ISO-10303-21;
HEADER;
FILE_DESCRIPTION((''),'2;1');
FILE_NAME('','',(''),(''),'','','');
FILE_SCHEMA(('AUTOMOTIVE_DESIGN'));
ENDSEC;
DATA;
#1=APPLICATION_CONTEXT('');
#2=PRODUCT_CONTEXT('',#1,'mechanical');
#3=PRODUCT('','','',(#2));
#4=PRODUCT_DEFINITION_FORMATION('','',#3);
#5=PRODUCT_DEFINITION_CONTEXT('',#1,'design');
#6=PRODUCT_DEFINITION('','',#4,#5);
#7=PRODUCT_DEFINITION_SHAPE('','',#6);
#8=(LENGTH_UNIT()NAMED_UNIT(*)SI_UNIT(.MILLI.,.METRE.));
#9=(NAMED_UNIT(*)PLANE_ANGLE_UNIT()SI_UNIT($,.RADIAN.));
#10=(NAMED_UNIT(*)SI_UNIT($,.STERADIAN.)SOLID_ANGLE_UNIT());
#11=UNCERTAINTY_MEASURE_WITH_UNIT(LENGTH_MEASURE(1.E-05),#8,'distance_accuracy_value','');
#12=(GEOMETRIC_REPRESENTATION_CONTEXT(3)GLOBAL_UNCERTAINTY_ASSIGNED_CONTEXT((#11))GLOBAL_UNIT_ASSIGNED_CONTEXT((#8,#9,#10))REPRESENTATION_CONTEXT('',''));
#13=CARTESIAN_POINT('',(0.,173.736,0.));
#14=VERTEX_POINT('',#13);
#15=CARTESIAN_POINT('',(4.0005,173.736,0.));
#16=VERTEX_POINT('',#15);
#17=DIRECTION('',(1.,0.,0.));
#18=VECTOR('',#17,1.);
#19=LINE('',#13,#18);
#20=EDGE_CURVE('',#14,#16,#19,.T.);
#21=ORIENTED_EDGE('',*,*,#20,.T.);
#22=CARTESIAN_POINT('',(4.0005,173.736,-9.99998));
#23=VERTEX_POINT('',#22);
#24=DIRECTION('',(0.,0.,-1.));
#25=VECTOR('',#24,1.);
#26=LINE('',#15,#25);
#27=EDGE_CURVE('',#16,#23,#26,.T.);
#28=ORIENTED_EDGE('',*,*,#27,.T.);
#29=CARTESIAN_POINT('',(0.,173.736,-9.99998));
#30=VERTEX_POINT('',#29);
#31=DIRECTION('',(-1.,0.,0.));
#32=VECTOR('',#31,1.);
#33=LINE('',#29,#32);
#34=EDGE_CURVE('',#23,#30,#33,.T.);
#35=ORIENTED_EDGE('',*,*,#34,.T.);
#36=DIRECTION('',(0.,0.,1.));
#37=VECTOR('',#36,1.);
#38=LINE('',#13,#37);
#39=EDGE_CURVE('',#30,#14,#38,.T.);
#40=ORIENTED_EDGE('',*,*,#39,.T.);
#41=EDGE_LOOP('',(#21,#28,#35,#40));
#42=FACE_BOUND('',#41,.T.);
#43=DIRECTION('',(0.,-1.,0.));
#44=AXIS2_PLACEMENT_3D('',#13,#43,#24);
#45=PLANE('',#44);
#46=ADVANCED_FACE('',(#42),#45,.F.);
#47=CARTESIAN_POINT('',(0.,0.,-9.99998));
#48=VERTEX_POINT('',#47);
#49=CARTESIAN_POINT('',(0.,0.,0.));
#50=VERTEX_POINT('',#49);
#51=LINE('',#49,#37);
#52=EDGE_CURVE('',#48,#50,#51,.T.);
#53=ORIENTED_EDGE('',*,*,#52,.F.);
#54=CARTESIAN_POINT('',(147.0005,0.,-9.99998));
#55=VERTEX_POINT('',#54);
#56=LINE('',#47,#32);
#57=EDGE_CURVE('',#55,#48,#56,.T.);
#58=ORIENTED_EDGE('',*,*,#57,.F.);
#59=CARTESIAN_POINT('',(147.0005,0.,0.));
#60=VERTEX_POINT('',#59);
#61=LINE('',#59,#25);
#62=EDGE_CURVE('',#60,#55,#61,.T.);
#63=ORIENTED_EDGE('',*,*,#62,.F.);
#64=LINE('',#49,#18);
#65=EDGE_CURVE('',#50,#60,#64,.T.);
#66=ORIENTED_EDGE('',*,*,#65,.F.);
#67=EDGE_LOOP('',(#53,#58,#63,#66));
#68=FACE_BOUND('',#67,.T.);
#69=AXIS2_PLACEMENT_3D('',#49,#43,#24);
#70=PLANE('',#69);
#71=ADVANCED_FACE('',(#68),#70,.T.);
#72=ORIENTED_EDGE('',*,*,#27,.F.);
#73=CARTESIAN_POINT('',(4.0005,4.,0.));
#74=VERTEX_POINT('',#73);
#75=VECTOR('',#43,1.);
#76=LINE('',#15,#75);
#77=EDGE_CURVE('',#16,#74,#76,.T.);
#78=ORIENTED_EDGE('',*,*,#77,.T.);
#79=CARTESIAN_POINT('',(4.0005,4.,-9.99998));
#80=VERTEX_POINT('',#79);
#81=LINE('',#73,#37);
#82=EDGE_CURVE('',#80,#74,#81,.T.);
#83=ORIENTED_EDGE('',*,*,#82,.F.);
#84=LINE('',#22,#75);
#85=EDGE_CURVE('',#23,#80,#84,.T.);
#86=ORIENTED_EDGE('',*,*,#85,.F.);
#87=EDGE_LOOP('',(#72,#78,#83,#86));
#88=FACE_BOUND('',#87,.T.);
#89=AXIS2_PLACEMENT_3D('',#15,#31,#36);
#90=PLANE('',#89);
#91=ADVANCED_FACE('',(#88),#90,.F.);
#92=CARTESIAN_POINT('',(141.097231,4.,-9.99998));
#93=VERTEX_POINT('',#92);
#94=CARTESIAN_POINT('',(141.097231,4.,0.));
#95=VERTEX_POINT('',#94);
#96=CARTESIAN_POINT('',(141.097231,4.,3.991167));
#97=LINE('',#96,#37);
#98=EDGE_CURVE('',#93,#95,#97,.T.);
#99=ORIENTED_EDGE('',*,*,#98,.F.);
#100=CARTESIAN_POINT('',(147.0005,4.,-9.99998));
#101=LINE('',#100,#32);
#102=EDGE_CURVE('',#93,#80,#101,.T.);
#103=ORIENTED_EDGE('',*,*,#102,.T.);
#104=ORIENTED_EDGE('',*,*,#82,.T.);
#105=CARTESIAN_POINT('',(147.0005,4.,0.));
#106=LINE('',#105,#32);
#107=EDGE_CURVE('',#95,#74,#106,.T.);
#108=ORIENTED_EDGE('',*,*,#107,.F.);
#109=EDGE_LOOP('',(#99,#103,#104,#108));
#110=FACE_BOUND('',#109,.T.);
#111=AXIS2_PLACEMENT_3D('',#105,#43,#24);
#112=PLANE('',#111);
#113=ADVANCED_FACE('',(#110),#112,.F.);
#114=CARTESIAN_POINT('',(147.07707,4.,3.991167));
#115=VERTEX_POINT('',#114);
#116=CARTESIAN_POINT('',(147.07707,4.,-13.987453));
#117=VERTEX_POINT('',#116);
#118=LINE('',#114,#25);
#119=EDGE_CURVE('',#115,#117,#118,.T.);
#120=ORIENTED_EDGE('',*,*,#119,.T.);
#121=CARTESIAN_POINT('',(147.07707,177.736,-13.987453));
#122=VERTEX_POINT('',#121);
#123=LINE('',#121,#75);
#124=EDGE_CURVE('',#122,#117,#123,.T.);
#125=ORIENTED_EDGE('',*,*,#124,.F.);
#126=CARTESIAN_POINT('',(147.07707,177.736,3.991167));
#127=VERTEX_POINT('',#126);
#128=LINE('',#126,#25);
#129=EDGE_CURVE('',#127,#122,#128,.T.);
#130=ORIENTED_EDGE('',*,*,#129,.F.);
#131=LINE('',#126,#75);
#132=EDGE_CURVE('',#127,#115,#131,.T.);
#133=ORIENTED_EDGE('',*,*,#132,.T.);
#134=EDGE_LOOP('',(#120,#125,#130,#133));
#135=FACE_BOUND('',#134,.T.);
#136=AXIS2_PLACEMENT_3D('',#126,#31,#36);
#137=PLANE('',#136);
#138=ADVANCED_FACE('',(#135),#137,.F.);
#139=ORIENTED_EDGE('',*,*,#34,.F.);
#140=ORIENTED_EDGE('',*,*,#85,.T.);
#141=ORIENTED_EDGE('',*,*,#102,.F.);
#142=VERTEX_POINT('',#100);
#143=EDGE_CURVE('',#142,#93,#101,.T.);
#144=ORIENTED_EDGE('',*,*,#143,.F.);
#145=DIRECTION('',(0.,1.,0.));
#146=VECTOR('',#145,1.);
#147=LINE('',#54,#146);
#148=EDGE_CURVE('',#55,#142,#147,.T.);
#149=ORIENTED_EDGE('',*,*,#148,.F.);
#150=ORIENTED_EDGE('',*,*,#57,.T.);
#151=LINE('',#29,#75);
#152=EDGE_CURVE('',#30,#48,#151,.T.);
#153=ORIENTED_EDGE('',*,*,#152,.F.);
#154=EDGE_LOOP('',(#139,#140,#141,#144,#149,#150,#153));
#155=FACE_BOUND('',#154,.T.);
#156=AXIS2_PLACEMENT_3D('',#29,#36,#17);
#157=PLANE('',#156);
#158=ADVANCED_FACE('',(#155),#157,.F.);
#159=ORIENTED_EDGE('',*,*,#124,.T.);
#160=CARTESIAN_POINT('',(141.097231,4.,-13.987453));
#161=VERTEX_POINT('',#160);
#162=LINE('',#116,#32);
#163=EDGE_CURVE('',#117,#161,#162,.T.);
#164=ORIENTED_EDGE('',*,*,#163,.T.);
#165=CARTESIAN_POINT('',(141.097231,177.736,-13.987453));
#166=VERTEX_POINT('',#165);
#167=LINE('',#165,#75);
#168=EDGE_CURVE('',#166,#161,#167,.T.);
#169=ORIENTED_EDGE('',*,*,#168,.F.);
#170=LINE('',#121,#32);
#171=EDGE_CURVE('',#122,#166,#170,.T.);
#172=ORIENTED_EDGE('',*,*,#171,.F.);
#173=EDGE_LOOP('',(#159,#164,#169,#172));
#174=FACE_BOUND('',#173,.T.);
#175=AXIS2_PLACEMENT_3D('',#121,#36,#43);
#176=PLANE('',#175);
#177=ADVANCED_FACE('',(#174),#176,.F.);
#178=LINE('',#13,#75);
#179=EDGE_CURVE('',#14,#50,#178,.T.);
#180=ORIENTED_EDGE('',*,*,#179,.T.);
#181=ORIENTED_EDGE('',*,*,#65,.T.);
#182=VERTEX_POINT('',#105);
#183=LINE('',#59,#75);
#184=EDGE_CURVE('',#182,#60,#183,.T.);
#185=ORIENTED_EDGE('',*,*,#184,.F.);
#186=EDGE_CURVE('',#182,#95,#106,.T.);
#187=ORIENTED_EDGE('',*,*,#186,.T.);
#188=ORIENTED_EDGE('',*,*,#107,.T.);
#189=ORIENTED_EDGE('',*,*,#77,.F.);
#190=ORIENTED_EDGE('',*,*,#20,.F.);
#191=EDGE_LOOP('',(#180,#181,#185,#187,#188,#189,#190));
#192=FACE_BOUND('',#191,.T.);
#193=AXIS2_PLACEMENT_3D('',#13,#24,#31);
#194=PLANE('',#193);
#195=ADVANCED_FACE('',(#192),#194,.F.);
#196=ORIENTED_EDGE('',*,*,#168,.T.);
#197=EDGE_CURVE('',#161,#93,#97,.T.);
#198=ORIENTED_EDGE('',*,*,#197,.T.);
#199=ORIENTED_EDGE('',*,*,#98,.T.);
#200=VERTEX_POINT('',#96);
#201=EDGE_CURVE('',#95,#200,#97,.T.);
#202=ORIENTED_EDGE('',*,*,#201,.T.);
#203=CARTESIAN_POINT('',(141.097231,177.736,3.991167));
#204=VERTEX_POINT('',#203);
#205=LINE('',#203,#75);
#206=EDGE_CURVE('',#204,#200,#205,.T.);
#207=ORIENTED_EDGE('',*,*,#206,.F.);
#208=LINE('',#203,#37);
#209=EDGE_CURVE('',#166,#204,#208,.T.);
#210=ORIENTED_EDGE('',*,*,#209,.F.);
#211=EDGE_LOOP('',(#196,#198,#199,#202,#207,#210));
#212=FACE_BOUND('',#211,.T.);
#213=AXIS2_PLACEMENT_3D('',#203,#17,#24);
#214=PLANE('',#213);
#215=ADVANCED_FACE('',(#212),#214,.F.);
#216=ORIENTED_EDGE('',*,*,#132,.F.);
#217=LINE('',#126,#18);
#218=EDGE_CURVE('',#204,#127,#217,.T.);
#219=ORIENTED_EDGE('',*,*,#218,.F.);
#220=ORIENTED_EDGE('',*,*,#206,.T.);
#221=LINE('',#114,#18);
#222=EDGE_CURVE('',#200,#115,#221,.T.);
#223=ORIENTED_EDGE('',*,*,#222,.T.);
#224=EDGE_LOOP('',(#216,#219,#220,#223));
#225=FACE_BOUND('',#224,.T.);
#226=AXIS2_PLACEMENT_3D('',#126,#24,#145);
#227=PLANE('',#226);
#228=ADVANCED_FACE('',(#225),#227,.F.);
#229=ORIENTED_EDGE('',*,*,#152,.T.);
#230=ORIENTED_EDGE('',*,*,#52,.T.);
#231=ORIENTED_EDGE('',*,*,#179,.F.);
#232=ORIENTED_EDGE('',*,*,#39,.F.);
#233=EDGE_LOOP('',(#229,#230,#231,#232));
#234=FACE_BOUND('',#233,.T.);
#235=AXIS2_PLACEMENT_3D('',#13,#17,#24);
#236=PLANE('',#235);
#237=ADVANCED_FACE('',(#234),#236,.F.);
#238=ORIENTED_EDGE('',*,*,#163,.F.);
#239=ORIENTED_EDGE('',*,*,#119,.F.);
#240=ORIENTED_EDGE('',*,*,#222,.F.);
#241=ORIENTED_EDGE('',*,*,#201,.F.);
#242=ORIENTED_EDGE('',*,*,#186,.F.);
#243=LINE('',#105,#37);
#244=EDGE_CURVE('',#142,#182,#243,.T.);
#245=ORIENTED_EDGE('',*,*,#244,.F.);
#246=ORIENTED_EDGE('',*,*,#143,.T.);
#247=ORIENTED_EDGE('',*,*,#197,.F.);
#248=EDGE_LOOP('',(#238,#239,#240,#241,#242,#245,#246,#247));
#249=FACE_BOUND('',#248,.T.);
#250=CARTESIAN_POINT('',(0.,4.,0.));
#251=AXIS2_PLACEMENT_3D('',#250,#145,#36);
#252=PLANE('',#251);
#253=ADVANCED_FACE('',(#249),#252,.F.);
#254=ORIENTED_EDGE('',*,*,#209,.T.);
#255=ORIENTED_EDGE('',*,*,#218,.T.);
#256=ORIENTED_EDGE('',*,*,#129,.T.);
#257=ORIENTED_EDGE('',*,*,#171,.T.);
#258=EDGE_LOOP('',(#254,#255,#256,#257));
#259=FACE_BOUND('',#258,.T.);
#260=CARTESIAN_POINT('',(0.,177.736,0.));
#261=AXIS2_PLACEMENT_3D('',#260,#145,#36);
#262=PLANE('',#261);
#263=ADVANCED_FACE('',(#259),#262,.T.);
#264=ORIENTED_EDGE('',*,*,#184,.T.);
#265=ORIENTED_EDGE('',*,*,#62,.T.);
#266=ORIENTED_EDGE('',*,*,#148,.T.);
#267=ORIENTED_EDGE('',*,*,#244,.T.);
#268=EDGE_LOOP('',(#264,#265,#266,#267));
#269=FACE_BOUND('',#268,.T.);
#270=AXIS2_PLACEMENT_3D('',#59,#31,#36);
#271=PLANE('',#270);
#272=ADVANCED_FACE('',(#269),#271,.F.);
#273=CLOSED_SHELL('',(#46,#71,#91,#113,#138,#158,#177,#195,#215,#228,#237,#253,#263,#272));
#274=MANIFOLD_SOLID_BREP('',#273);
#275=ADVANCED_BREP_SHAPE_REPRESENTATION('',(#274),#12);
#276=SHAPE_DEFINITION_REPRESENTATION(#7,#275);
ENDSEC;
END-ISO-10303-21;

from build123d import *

# Parameters (mm, degrees)
SKETCH1_W           = 4.0005
SKETCH1_H           = 9.99998
BOSS_EXTRUDE1_DEPTH = 173.736
SKETCH2_W           = 9.99998
SKETCH2_H           = 4
BOSS_EXTRUDE2_DEPTH = 143
SKETCH4_W           = 5.979839702
SKETCH4_H           = 17.978619986
BOSS_EXTRUDE3_DEPTH = 173.736


with BuildPart() as part:
    # Sketch1 → Boss-Extrude1 (new body)
    with BuildSketch(Plane(origin=(0, 0, 0), x_dir=(1, 0, 0), z_dir=(0, 1, 0))):
        with Locations((2.00025, 4.99999)):
            Rectangle(SKETCH1_W, SKETCH1_H)
    extrude(amount=BOSS_EXTRUDE1_DEPTH)

    # Sketch2 → Boss-Extrude2 (add)
    with BuildSketch(Plane(origin=(4.0005, 0, 0), x_dir=(0, 0, -1), z_dir=(1, 0, 0))):
        with Locations((4.99999, 2)):
            Rectangle(SKETCH2_W, SKETCH2_H)
    extrude(amount=BOSS_EXTRUDE2_DEPTH)

    # Sketch4 → Boss-Extrude3 (add)
    with BuildSketch(Plane(origin=(0, 4, 0), x_dir=(1, 0, 0), z_dir=(0, 1, 0))):
        with Locations((144.08715059, 4.99814333)):
            Rectangle(SKETCH4_W, SKETCH4_H)
    extrude(amount=BOSS_EXTRUDE3_DEPTH)


solid = part.part
